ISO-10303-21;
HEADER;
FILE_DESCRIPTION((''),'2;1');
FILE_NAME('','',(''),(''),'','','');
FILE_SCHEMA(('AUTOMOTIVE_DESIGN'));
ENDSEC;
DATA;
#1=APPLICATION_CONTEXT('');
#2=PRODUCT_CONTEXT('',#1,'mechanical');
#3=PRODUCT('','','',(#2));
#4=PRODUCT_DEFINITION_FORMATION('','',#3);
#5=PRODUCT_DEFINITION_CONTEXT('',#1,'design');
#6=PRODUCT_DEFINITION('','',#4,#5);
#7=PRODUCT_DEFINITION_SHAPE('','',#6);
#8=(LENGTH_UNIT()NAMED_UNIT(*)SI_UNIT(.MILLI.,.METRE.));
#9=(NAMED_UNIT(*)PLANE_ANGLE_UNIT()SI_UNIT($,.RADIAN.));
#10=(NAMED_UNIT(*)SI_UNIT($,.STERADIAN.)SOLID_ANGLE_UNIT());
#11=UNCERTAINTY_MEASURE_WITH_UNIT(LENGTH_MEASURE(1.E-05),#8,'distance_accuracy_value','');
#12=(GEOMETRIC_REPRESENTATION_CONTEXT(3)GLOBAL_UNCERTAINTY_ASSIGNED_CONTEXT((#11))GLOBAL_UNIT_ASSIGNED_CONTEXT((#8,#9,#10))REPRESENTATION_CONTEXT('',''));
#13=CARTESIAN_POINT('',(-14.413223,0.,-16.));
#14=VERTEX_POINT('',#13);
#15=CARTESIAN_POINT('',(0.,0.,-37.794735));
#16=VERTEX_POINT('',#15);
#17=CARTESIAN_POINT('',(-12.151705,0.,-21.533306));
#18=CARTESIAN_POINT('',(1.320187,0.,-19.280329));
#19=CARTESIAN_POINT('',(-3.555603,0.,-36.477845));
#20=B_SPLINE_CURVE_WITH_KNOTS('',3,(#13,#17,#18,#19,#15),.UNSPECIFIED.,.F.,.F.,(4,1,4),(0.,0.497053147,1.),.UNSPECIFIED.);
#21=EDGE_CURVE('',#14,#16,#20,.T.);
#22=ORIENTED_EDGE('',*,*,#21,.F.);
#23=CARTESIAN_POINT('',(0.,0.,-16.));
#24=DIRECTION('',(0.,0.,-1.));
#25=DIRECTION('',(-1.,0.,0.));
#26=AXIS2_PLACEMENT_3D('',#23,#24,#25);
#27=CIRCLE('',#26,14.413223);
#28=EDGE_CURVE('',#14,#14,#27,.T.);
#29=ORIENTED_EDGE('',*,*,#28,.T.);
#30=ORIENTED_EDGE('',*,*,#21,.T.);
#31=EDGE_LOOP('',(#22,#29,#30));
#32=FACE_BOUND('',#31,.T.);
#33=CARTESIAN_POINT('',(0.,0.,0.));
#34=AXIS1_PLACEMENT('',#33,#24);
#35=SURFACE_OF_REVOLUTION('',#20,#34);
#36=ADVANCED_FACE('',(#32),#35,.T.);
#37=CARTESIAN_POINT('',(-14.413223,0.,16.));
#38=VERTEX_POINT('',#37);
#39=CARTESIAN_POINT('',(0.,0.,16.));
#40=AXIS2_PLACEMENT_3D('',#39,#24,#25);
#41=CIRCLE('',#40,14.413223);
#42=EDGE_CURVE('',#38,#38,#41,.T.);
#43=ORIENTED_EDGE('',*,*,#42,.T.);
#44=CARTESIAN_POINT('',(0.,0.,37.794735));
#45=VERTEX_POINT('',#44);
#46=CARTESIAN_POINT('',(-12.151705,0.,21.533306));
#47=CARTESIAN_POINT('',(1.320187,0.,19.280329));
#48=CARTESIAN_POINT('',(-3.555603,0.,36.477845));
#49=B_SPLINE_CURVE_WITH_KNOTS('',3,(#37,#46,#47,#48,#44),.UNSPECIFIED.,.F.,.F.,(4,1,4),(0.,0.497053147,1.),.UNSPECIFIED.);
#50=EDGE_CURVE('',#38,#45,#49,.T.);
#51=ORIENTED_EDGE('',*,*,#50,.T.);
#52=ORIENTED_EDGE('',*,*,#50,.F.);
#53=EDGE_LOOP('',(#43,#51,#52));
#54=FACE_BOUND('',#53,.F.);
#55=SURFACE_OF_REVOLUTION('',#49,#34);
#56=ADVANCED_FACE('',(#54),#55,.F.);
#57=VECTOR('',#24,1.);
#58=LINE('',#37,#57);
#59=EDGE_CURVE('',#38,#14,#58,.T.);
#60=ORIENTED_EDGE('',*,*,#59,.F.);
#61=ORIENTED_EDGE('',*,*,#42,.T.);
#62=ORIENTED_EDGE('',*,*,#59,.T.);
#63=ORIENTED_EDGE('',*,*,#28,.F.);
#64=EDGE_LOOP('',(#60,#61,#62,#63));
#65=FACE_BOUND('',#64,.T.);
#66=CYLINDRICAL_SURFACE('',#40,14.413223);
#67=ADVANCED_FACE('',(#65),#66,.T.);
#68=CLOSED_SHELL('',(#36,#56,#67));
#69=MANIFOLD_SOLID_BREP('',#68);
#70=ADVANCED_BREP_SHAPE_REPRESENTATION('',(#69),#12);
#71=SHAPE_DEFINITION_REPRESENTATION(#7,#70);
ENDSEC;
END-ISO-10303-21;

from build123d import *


with BuildPart() as f1:
    # F0 (on Front) → F1 (revolve)
    with BuildSketch(Plane.XZ):
        with BuildLine():
            Line((-14.413222584, 16), (-14.413222584, 0))
            Line((-14.413222584, 0), (-14.413222584, -16))
            add(Edge.make_bspline(
                [(-14.413222584, -16), (-12.1517050073, -21.5333060846), (1.3201873331, -19.2803287909), (-3.5556030925, -36.4778451622), (0, -37.7947352827)],
                knots=[0, 0, 0, 0, 0.497053147, 1, 1, 1, 1], degree=3))
            Line((0, -37.7947352827), (0, 37.7947352827))
            add(Edge.make_bspline(
                [(-14.413222584, 16), (-12.1517050073, 21.5333060846), (1.3201873331, 19.2803287909), (-3.5556030925, 36.4778451622), (0, 37.7947352827)],
                knots=[0, 0, 0, 0, 0.497053147, 1, 1, 1, 1], degree=3))
        make_face()
    revolve(axis=Axis((0, 0, 0), (0, 0, -1)))


solid = f1.part
